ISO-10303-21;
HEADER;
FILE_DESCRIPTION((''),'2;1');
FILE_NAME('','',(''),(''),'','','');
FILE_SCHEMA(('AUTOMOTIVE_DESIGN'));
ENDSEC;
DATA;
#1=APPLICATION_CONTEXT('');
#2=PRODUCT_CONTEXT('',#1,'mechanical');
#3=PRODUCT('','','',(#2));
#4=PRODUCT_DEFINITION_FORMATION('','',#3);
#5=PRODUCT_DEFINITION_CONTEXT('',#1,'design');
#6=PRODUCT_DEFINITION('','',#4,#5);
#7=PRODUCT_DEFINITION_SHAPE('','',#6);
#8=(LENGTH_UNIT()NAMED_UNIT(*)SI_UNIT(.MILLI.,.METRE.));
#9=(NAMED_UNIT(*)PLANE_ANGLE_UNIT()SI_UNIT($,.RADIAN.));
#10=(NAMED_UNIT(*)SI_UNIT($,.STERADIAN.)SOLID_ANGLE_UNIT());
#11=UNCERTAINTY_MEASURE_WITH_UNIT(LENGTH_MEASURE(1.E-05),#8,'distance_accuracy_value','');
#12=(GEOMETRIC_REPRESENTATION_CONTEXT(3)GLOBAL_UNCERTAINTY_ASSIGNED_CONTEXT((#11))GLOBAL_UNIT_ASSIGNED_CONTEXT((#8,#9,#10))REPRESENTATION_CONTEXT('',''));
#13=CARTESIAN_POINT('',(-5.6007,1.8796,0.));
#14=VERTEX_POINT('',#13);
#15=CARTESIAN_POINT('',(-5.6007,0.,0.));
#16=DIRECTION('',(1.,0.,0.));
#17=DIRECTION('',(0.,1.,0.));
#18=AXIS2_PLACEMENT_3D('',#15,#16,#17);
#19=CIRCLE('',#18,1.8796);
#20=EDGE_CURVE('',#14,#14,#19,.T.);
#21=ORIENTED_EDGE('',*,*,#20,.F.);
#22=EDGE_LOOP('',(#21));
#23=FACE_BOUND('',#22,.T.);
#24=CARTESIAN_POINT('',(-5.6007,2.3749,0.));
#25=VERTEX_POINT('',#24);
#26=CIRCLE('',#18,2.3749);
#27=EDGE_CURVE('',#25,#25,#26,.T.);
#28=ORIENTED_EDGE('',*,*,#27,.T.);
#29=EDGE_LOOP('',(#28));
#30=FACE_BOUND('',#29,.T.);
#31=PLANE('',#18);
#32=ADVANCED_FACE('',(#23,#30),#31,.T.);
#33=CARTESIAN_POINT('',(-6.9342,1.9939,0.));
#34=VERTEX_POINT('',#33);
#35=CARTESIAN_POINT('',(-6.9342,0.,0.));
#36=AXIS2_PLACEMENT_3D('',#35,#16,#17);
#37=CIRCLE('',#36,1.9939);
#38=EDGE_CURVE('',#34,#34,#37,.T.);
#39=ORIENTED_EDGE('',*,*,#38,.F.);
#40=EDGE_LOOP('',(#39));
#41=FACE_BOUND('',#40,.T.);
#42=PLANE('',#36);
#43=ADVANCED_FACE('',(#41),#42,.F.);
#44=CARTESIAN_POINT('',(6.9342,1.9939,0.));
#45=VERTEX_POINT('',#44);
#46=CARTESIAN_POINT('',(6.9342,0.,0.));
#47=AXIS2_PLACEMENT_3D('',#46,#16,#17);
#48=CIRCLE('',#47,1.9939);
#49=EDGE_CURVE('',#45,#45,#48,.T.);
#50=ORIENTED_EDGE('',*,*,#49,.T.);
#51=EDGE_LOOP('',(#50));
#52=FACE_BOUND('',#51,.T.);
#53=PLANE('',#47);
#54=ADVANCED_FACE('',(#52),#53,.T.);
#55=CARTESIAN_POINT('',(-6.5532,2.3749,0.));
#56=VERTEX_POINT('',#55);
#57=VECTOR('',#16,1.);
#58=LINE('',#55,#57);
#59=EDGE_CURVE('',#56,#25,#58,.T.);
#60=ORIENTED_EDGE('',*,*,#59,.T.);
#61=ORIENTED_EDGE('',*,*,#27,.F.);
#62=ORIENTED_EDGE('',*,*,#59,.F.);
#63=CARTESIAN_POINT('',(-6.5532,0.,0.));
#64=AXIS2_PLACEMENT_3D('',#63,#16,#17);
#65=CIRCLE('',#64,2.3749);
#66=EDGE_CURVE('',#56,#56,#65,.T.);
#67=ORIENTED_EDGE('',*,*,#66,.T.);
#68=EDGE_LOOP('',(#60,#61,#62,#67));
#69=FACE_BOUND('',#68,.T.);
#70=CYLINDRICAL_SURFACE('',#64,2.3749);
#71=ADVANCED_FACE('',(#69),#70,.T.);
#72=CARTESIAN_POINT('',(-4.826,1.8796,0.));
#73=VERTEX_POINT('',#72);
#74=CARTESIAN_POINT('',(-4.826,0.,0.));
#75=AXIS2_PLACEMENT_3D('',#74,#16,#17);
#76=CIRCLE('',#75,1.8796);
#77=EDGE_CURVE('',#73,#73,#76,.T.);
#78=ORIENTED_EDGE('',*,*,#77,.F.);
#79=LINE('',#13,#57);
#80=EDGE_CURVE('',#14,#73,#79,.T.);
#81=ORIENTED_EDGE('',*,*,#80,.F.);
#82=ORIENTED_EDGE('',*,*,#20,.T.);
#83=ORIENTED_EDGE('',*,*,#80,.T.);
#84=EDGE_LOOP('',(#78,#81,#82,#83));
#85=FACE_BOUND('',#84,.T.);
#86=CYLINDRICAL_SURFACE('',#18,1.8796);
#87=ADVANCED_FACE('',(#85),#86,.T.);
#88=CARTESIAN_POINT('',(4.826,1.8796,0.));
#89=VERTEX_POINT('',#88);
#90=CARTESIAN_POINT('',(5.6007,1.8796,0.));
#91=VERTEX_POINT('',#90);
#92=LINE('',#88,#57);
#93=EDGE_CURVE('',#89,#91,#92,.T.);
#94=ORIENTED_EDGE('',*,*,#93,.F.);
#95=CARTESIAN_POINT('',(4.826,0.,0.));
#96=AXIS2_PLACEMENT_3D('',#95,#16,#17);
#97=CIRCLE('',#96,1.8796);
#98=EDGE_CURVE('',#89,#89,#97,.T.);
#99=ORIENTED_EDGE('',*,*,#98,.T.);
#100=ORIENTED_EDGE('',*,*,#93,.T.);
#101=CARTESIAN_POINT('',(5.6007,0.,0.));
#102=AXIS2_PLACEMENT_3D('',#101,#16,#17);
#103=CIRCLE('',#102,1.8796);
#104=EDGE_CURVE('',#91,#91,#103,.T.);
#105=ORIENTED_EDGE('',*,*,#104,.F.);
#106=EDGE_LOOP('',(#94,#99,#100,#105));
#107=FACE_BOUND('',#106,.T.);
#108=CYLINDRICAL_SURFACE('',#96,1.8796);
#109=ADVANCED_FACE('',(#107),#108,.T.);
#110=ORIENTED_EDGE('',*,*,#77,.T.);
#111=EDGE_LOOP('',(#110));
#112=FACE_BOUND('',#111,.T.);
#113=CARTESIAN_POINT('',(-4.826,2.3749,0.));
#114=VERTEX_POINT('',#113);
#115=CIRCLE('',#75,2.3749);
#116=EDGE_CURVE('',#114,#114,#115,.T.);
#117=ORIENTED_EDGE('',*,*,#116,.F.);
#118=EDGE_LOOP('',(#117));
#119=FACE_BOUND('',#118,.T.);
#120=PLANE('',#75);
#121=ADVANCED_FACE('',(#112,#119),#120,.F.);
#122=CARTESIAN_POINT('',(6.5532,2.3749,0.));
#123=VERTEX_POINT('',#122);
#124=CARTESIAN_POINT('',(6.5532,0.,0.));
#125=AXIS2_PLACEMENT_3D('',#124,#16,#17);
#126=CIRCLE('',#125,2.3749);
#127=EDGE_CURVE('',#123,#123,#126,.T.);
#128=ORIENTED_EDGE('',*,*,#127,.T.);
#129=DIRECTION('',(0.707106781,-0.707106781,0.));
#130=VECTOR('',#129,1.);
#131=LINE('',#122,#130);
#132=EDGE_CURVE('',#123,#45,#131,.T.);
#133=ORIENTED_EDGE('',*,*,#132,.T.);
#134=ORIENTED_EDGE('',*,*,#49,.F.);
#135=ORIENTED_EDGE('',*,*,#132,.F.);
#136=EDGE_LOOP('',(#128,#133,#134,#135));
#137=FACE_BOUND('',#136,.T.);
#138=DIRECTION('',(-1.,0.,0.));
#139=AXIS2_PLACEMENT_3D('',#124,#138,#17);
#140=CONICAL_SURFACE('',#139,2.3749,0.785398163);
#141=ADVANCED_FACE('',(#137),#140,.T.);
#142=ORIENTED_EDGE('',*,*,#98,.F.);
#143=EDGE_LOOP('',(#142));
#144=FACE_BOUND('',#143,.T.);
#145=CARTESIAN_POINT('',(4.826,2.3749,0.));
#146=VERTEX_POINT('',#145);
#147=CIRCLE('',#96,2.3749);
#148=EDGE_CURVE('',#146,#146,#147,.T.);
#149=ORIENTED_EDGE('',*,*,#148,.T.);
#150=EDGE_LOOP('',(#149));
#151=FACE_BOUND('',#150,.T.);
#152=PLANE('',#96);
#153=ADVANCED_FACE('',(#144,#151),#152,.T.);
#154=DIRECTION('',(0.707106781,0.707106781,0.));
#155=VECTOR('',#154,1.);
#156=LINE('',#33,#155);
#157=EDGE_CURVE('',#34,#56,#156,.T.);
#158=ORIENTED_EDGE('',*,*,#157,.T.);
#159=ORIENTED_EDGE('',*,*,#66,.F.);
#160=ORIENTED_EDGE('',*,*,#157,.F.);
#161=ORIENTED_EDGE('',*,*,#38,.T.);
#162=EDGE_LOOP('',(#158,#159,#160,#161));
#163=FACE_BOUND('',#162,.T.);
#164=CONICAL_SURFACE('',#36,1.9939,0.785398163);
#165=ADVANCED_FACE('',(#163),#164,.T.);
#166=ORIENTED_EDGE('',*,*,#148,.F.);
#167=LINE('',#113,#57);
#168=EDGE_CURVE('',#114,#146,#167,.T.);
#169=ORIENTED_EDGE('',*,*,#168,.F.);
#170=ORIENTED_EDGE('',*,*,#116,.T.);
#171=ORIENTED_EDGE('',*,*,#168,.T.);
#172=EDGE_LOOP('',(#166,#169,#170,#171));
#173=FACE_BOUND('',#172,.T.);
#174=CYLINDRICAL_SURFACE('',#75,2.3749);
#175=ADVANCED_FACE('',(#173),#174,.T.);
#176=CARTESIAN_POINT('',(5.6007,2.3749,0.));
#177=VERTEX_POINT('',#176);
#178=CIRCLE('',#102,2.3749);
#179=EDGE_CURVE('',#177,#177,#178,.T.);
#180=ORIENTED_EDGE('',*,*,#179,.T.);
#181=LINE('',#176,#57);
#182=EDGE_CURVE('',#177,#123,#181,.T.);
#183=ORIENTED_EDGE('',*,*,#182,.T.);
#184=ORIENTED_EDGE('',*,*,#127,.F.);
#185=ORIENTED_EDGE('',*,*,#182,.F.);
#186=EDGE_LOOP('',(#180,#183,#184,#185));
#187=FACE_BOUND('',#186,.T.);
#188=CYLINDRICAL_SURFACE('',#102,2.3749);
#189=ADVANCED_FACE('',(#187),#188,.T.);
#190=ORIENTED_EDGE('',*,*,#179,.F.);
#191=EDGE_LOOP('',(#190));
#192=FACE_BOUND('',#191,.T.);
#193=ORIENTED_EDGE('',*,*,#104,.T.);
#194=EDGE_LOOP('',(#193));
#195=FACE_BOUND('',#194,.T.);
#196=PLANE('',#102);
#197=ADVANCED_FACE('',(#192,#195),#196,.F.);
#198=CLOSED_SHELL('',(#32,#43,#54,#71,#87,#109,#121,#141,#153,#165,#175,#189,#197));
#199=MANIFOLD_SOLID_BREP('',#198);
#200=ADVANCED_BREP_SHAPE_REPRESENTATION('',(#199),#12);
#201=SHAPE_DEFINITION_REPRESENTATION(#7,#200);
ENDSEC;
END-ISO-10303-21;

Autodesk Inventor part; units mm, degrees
sketch "Sketch_1" plane through (0, 0, 0) normal (0, 0, 1) x (1, 0, 0)
  line L0 (6.9342, 0) -> (-6.9342, 0)
  line L1 (-6.9342, 0) -> (-6.9342, 1.9939)
  line L2 (-6.9342, 1.9939) -> (-6.5532, 2.3749)
  line L3 (-6.5532, 2.3749) -> (-5.6007, 2.3749)
  line L4 (-5.6007, 2.3749) -> (-5.6007, 1.8796)
  line L5 (-5.6007, 1.8796) -> (-4.826, 1.8796)
  line L6 (-4.826, 1.8796) -> (-4.826, 2.3749)
  line L7 (-4.826, 2.3749) -> (4.826, 2.3749)
  line L8 (4.826, 2.3749) -> (4.826, 1.8796)
  line L9 (4.826, 1.8796) -> (5.6007, 1.8796)
  line L10 (5.6007, 1.8796) -> (5.6007, 2.3749)
  line L11 (5.6007, 2.3749) -> (6.5532, 2.3749)
  line L12 (6.5532, 2.3749) -> (6.9342, 1.9939)
  line L13 (6.9342, 1.9939) -> (6.9342, 0)
  line L14 (6.9342, 0) -> (-6.9342, 0)
revolve "Revolution1" add sketch "Sketch_1" angle 360 about axis through (6.9342, 0, 0) along (1, 0, 0)
ref_plane "p1_XY" through (0, 0, 2.3749) normal (1, 0, 0) x (0, 0, -1)
ref_plane "p1_YZ" through (0, 0, 2.3749) normal (0, 0, -1) x (0, 1, 0)
ref_plane "p1_ZX" through (0, 0, 2.3749) normal (0, 1, 0) x (1, 0, 0)
ref_plane "p2_XY" through (0, 0, -2.3749) normal (1, 0, 0) x (0, 0, -1)
ref_plane "p2_YZ" through (0, 0, -2.3749) normal (0, 0, -1) x (0, 1, 0)
ref_plane "p2_ZX" through (0, 0, -2.3749) normal (0, 1, 0) x (1, 0, 0)
ref_plane "pin_XY" through (0, 0, 0) normal (1, 0, 0) x (0, 0, -1)
ref_plane "pin_YZ" through (0, 0, 0) normal (0, 0, -1) x (0, 1, 0)
ref_plane "pin_ZX" through (0, 0, 0) normal (0, 1, 0) x (1, 0, 0)
ref_plane "rr1_XY" through (5.2134, 0, 0) normal (1, 0, 0) x (0, 0, -1)
ref_plane "rr1_YZ" through (5.2134, 0, 0) normal (0, 0, -1) x (0, 1, 0)
ref_plane "rr1_ZX" through (5.2134, 0, 0) normal (0, 1, 0) x (1, 0, 0)
ref_plane "rr2_XY" through (-5.2134, 0, 0) normal (1, 0, 0) x (0, 0, -1)
ref_plane "rr2_YZ" through (-5.2134, 0, 0) normal (0, 0, -1) x (0, 1, 0)
ref_plane "rr2_ZX" through (-5.2134, 0, 0) normal (0, 1, 0) x (1, 0, 0)
ref_plane "w21_XY" through (6.9342, 0, 0) normal (0, 1, 0) x (1, 0, 0)
ref_plane "w21_YZ" through (6.9342, 0, 0) normal (1, 0, 0) x (0, 0, -1)
ref_plane "w21_ZX" through (6.9342, 0, 0) normal (0, 0, -1) x (0, 1, 0)
ref_plane "w22_XY" through (-6.9342, 0, 0) normal (0, 1, 0) x (1, 0, 0)
ref_plane "w22_YZ" through (-6.9342, 0, 0) normal (1, 0, 0) x (0, 0, -1)
ref_plane "w22_ZX" through (-6.9342, 0, 0) normal (0, 0, -1) x (0, 1, 0)
properties part number "D-12304"
